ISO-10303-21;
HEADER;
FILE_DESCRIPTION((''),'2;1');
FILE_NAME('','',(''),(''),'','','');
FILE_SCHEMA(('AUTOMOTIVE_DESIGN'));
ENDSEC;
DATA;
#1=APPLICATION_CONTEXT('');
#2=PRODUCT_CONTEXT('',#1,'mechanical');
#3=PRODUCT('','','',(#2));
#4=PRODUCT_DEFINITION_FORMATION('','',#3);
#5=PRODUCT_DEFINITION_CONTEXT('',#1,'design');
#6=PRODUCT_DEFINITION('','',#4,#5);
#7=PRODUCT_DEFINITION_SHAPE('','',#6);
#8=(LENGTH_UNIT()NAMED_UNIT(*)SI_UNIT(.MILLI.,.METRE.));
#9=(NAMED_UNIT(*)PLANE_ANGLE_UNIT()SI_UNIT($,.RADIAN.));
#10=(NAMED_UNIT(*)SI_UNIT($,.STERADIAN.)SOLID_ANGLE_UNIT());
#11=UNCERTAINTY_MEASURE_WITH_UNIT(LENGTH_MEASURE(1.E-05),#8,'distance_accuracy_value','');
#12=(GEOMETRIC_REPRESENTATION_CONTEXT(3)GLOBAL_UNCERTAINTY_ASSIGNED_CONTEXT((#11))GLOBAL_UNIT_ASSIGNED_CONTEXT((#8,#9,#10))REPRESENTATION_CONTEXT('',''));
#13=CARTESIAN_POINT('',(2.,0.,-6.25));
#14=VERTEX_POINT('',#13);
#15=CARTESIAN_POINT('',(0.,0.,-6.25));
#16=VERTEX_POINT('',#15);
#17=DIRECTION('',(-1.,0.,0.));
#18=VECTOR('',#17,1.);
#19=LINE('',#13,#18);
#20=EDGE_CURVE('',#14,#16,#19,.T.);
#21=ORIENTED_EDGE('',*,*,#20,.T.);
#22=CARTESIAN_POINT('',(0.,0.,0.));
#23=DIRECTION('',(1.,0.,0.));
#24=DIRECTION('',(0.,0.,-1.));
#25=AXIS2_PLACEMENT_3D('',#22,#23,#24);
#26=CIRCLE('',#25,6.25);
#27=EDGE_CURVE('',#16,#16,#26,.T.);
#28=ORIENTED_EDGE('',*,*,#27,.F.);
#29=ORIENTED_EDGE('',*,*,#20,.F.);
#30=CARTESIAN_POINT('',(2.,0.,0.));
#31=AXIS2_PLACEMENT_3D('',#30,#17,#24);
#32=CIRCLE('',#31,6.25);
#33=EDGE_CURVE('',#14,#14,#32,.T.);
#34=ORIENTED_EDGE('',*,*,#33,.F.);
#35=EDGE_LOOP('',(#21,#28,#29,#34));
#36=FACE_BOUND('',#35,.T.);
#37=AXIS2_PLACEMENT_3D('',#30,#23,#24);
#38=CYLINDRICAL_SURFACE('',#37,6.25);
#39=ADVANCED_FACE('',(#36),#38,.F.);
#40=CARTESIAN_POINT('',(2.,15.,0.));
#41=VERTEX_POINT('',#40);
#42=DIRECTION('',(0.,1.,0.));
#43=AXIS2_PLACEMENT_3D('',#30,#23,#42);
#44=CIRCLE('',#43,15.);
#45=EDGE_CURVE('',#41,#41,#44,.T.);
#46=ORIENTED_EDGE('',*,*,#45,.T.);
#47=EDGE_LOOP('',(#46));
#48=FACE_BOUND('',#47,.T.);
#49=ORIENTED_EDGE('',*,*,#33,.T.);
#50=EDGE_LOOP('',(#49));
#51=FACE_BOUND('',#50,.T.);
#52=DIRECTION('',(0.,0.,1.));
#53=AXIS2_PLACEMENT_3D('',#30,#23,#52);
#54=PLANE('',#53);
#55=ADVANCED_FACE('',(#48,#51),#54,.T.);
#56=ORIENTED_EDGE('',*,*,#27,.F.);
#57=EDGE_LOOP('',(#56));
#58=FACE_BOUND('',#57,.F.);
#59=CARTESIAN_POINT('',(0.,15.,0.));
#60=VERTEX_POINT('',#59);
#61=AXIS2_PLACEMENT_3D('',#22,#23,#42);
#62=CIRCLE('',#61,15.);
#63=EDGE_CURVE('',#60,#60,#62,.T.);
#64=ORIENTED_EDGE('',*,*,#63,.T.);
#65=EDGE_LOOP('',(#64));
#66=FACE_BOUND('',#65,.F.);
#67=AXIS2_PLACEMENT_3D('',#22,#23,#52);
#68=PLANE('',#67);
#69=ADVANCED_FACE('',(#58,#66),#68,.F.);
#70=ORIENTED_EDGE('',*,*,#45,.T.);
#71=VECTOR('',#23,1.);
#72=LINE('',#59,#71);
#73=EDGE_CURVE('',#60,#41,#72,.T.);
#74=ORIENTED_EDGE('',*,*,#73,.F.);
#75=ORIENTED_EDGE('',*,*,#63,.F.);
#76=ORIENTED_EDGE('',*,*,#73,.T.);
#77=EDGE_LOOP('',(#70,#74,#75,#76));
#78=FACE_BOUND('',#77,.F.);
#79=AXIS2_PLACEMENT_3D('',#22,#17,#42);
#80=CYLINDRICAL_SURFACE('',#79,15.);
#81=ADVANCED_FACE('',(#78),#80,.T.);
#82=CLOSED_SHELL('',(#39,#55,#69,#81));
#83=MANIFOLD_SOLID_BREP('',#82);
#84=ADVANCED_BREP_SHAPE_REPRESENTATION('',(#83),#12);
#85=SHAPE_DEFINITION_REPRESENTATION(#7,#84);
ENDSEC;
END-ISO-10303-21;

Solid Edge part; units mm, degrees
sketch "Sketch1" plane through (0, 0, 0) normal (1, 0, 0) x (0, 1, 0)
  circle A0 centre (0, 0) radius 15
extrude "Protrusion1" add sketch "Sketch1" along normal blind 2
hole "Hole_1" at (2, 0, 0) direction (-1, 0, 0) diameter 12.5 end up to next
